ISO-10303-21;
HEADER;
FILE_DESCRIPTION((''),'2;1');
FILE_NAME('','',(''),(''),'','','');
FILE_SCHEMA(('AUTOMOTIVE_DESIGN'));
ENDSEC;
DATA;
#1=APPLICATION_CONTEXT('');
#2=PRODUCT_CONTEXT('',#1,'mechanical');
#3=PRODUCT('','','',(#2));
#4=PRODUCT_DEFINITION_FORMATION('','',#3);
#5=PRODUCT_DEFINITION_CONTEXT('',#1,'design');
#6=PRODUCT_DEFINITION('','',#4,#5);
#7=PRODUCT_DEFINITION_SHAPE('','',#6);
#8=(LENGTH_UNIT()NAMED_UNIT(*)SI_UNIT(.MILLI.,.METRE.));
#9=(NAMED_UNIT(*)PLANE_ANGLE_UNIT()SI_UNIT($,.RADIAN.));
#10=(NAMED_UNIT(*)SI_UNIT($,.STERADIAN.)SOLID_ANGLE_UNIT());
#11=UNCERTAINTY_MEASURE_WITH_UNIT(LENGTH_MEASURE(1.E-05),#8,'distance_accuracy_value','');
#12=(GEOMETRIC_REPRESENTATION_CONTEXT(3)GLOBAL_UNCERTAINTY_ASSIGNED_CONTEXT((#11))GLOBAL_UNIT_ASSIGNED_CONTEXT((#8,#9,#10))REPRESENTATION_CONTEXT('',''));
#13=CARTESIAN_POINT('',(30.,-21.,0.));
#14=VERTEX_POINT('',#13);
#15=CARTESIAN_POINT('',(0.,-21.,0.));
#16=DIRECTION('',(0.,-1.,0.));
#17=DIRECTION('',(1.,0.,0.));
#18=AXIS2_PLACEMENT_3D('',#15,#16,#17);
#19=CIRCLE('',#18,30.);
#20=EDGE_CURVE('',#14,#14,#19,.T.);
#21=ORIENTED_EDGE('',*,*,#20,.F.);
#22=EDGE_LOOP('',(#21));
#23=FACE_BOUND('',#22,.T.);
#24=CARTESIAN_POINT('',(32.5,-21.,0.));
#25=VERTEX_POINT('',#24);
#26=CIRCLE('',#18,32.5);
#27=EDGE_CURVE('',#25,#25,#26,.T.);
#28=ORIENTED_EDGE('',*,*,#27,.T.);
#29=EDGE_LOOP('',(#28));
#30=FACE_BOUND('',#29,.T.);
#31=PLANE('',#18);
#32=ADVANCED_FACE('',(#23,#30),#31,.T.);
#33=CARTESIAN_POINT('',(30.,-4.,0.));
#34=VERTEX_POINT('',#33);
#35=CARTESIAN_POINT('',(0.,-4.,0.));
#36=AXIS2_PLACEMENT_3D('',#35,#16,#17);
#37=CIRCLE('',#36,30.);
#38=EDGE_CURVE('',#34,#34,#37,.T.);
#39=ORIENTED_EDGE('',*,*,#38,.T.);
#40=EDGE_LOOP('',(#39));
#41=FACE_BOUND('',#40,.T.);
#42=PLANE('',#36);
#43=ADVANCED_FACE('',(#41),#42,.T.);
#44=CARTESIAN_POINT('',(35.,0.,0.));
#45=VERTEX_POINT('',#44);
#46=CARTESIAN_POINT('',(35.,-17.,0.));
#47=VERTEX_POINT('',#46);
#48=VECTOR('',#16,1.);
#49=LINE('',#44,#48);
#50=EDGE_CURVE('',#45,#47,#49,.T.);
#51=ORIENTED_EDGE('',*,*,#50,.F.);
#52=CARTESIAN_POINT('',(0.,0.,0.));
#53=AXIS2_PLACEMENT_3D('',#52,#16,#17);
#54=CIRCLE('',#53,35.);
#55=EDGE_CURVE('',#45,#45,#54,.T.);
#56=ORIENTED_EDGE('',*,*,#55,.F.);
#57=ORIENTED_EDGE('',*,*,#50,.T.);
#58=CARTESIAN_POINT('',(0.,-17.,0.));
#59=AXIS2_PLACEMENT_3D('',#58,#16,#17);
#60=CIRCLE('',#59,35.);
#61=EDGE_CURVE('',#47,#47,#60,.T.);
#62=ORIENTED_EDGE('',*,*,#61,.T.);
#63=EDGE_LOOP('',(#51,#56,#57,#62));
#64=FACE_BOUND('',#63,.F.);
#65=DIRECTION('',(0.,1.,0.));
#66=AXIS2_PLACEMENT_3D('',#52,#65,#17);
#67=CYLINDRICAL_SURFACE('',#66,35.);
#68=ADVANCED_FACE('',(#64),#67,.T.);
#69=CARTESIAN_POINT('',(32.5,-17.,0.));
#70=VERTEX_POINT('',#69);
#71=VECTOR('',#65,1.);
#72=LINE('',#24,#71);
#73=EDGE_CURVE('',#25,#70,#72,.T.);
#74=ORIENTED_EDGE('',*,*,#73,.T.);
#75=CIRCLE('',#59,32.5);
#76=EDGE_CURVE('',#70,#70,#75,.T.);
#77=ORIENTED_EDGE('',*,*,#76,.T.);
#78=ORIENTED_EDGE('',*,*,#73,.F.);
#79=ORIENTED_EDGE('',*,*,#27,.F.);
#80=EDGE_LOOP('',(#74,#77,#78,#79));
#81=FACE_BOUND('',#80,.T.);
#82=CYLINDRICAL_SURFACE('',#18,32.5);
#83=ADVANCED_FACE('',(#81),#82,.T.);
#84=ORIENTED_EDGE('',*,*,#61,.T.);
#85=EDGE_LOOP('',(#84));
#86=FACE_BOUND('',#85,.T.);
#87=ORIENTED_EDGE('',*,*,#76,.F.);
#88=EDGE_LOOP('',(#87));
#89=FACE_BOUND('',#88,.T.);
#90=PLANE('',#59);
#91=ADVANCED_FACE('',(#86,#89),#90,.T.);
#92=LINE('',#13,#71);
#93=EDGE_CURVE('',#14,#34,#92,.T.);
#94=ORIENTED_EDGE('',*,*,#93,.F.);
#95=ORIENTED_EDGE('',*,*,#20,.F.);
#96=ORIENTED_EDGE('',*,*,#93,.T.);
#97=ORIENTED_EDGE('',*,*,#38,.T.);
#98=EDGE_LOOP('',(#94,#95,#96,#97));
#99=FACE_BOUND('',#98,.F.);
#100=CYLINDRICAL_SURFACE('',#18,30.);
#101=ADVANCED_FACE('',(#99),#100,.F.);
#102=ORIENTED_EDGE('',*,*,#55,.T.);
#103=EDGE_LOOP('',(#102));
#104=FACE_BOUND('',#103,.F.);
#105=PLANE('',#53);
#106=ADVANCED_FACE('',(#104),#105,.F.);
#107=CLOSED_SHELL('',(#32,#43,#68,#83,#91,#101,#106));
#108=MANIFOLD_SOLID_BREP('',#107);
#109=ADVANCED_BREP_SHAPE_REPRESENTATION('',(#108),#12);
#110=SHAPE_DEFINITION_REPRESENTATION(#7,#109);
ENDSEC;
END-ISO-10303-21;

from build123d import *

# Parameters (mm, degrees)
F0_R     = 35
F1_DEPTH = 21
F2_R     = 30
F3_DEPTH = 17
F4_R     = 35
F4_R_2   = 32.5
F5_DEPTH = 4


with BuildPart() as f1:
    # F0 (on Front) → F1 (new body)
    with BuildSketch(Plane.XZ):
        Circle(F0_R)
    extrude(amount=F1_DEPTH)

    # F2 (on face) → F3 (cut)
    with BuildSketch(Plane.XZ.offset(21)):
        Circle(F2_R)
    extrude(amount=-F3_DEPTH, mode=Mode.SUBTRACT)

    # F4 (on face) → F5 (cut)
    with BuildSketch(Plane.XZ.offset(21)):
        Circle(F4_R)
        Circle(F4_R_2, mode=Mode.SUBTRACT)
    extrude(amount=-F5_DEPTH, mode=Mode.SUBTRACT)


solid = f1.part
